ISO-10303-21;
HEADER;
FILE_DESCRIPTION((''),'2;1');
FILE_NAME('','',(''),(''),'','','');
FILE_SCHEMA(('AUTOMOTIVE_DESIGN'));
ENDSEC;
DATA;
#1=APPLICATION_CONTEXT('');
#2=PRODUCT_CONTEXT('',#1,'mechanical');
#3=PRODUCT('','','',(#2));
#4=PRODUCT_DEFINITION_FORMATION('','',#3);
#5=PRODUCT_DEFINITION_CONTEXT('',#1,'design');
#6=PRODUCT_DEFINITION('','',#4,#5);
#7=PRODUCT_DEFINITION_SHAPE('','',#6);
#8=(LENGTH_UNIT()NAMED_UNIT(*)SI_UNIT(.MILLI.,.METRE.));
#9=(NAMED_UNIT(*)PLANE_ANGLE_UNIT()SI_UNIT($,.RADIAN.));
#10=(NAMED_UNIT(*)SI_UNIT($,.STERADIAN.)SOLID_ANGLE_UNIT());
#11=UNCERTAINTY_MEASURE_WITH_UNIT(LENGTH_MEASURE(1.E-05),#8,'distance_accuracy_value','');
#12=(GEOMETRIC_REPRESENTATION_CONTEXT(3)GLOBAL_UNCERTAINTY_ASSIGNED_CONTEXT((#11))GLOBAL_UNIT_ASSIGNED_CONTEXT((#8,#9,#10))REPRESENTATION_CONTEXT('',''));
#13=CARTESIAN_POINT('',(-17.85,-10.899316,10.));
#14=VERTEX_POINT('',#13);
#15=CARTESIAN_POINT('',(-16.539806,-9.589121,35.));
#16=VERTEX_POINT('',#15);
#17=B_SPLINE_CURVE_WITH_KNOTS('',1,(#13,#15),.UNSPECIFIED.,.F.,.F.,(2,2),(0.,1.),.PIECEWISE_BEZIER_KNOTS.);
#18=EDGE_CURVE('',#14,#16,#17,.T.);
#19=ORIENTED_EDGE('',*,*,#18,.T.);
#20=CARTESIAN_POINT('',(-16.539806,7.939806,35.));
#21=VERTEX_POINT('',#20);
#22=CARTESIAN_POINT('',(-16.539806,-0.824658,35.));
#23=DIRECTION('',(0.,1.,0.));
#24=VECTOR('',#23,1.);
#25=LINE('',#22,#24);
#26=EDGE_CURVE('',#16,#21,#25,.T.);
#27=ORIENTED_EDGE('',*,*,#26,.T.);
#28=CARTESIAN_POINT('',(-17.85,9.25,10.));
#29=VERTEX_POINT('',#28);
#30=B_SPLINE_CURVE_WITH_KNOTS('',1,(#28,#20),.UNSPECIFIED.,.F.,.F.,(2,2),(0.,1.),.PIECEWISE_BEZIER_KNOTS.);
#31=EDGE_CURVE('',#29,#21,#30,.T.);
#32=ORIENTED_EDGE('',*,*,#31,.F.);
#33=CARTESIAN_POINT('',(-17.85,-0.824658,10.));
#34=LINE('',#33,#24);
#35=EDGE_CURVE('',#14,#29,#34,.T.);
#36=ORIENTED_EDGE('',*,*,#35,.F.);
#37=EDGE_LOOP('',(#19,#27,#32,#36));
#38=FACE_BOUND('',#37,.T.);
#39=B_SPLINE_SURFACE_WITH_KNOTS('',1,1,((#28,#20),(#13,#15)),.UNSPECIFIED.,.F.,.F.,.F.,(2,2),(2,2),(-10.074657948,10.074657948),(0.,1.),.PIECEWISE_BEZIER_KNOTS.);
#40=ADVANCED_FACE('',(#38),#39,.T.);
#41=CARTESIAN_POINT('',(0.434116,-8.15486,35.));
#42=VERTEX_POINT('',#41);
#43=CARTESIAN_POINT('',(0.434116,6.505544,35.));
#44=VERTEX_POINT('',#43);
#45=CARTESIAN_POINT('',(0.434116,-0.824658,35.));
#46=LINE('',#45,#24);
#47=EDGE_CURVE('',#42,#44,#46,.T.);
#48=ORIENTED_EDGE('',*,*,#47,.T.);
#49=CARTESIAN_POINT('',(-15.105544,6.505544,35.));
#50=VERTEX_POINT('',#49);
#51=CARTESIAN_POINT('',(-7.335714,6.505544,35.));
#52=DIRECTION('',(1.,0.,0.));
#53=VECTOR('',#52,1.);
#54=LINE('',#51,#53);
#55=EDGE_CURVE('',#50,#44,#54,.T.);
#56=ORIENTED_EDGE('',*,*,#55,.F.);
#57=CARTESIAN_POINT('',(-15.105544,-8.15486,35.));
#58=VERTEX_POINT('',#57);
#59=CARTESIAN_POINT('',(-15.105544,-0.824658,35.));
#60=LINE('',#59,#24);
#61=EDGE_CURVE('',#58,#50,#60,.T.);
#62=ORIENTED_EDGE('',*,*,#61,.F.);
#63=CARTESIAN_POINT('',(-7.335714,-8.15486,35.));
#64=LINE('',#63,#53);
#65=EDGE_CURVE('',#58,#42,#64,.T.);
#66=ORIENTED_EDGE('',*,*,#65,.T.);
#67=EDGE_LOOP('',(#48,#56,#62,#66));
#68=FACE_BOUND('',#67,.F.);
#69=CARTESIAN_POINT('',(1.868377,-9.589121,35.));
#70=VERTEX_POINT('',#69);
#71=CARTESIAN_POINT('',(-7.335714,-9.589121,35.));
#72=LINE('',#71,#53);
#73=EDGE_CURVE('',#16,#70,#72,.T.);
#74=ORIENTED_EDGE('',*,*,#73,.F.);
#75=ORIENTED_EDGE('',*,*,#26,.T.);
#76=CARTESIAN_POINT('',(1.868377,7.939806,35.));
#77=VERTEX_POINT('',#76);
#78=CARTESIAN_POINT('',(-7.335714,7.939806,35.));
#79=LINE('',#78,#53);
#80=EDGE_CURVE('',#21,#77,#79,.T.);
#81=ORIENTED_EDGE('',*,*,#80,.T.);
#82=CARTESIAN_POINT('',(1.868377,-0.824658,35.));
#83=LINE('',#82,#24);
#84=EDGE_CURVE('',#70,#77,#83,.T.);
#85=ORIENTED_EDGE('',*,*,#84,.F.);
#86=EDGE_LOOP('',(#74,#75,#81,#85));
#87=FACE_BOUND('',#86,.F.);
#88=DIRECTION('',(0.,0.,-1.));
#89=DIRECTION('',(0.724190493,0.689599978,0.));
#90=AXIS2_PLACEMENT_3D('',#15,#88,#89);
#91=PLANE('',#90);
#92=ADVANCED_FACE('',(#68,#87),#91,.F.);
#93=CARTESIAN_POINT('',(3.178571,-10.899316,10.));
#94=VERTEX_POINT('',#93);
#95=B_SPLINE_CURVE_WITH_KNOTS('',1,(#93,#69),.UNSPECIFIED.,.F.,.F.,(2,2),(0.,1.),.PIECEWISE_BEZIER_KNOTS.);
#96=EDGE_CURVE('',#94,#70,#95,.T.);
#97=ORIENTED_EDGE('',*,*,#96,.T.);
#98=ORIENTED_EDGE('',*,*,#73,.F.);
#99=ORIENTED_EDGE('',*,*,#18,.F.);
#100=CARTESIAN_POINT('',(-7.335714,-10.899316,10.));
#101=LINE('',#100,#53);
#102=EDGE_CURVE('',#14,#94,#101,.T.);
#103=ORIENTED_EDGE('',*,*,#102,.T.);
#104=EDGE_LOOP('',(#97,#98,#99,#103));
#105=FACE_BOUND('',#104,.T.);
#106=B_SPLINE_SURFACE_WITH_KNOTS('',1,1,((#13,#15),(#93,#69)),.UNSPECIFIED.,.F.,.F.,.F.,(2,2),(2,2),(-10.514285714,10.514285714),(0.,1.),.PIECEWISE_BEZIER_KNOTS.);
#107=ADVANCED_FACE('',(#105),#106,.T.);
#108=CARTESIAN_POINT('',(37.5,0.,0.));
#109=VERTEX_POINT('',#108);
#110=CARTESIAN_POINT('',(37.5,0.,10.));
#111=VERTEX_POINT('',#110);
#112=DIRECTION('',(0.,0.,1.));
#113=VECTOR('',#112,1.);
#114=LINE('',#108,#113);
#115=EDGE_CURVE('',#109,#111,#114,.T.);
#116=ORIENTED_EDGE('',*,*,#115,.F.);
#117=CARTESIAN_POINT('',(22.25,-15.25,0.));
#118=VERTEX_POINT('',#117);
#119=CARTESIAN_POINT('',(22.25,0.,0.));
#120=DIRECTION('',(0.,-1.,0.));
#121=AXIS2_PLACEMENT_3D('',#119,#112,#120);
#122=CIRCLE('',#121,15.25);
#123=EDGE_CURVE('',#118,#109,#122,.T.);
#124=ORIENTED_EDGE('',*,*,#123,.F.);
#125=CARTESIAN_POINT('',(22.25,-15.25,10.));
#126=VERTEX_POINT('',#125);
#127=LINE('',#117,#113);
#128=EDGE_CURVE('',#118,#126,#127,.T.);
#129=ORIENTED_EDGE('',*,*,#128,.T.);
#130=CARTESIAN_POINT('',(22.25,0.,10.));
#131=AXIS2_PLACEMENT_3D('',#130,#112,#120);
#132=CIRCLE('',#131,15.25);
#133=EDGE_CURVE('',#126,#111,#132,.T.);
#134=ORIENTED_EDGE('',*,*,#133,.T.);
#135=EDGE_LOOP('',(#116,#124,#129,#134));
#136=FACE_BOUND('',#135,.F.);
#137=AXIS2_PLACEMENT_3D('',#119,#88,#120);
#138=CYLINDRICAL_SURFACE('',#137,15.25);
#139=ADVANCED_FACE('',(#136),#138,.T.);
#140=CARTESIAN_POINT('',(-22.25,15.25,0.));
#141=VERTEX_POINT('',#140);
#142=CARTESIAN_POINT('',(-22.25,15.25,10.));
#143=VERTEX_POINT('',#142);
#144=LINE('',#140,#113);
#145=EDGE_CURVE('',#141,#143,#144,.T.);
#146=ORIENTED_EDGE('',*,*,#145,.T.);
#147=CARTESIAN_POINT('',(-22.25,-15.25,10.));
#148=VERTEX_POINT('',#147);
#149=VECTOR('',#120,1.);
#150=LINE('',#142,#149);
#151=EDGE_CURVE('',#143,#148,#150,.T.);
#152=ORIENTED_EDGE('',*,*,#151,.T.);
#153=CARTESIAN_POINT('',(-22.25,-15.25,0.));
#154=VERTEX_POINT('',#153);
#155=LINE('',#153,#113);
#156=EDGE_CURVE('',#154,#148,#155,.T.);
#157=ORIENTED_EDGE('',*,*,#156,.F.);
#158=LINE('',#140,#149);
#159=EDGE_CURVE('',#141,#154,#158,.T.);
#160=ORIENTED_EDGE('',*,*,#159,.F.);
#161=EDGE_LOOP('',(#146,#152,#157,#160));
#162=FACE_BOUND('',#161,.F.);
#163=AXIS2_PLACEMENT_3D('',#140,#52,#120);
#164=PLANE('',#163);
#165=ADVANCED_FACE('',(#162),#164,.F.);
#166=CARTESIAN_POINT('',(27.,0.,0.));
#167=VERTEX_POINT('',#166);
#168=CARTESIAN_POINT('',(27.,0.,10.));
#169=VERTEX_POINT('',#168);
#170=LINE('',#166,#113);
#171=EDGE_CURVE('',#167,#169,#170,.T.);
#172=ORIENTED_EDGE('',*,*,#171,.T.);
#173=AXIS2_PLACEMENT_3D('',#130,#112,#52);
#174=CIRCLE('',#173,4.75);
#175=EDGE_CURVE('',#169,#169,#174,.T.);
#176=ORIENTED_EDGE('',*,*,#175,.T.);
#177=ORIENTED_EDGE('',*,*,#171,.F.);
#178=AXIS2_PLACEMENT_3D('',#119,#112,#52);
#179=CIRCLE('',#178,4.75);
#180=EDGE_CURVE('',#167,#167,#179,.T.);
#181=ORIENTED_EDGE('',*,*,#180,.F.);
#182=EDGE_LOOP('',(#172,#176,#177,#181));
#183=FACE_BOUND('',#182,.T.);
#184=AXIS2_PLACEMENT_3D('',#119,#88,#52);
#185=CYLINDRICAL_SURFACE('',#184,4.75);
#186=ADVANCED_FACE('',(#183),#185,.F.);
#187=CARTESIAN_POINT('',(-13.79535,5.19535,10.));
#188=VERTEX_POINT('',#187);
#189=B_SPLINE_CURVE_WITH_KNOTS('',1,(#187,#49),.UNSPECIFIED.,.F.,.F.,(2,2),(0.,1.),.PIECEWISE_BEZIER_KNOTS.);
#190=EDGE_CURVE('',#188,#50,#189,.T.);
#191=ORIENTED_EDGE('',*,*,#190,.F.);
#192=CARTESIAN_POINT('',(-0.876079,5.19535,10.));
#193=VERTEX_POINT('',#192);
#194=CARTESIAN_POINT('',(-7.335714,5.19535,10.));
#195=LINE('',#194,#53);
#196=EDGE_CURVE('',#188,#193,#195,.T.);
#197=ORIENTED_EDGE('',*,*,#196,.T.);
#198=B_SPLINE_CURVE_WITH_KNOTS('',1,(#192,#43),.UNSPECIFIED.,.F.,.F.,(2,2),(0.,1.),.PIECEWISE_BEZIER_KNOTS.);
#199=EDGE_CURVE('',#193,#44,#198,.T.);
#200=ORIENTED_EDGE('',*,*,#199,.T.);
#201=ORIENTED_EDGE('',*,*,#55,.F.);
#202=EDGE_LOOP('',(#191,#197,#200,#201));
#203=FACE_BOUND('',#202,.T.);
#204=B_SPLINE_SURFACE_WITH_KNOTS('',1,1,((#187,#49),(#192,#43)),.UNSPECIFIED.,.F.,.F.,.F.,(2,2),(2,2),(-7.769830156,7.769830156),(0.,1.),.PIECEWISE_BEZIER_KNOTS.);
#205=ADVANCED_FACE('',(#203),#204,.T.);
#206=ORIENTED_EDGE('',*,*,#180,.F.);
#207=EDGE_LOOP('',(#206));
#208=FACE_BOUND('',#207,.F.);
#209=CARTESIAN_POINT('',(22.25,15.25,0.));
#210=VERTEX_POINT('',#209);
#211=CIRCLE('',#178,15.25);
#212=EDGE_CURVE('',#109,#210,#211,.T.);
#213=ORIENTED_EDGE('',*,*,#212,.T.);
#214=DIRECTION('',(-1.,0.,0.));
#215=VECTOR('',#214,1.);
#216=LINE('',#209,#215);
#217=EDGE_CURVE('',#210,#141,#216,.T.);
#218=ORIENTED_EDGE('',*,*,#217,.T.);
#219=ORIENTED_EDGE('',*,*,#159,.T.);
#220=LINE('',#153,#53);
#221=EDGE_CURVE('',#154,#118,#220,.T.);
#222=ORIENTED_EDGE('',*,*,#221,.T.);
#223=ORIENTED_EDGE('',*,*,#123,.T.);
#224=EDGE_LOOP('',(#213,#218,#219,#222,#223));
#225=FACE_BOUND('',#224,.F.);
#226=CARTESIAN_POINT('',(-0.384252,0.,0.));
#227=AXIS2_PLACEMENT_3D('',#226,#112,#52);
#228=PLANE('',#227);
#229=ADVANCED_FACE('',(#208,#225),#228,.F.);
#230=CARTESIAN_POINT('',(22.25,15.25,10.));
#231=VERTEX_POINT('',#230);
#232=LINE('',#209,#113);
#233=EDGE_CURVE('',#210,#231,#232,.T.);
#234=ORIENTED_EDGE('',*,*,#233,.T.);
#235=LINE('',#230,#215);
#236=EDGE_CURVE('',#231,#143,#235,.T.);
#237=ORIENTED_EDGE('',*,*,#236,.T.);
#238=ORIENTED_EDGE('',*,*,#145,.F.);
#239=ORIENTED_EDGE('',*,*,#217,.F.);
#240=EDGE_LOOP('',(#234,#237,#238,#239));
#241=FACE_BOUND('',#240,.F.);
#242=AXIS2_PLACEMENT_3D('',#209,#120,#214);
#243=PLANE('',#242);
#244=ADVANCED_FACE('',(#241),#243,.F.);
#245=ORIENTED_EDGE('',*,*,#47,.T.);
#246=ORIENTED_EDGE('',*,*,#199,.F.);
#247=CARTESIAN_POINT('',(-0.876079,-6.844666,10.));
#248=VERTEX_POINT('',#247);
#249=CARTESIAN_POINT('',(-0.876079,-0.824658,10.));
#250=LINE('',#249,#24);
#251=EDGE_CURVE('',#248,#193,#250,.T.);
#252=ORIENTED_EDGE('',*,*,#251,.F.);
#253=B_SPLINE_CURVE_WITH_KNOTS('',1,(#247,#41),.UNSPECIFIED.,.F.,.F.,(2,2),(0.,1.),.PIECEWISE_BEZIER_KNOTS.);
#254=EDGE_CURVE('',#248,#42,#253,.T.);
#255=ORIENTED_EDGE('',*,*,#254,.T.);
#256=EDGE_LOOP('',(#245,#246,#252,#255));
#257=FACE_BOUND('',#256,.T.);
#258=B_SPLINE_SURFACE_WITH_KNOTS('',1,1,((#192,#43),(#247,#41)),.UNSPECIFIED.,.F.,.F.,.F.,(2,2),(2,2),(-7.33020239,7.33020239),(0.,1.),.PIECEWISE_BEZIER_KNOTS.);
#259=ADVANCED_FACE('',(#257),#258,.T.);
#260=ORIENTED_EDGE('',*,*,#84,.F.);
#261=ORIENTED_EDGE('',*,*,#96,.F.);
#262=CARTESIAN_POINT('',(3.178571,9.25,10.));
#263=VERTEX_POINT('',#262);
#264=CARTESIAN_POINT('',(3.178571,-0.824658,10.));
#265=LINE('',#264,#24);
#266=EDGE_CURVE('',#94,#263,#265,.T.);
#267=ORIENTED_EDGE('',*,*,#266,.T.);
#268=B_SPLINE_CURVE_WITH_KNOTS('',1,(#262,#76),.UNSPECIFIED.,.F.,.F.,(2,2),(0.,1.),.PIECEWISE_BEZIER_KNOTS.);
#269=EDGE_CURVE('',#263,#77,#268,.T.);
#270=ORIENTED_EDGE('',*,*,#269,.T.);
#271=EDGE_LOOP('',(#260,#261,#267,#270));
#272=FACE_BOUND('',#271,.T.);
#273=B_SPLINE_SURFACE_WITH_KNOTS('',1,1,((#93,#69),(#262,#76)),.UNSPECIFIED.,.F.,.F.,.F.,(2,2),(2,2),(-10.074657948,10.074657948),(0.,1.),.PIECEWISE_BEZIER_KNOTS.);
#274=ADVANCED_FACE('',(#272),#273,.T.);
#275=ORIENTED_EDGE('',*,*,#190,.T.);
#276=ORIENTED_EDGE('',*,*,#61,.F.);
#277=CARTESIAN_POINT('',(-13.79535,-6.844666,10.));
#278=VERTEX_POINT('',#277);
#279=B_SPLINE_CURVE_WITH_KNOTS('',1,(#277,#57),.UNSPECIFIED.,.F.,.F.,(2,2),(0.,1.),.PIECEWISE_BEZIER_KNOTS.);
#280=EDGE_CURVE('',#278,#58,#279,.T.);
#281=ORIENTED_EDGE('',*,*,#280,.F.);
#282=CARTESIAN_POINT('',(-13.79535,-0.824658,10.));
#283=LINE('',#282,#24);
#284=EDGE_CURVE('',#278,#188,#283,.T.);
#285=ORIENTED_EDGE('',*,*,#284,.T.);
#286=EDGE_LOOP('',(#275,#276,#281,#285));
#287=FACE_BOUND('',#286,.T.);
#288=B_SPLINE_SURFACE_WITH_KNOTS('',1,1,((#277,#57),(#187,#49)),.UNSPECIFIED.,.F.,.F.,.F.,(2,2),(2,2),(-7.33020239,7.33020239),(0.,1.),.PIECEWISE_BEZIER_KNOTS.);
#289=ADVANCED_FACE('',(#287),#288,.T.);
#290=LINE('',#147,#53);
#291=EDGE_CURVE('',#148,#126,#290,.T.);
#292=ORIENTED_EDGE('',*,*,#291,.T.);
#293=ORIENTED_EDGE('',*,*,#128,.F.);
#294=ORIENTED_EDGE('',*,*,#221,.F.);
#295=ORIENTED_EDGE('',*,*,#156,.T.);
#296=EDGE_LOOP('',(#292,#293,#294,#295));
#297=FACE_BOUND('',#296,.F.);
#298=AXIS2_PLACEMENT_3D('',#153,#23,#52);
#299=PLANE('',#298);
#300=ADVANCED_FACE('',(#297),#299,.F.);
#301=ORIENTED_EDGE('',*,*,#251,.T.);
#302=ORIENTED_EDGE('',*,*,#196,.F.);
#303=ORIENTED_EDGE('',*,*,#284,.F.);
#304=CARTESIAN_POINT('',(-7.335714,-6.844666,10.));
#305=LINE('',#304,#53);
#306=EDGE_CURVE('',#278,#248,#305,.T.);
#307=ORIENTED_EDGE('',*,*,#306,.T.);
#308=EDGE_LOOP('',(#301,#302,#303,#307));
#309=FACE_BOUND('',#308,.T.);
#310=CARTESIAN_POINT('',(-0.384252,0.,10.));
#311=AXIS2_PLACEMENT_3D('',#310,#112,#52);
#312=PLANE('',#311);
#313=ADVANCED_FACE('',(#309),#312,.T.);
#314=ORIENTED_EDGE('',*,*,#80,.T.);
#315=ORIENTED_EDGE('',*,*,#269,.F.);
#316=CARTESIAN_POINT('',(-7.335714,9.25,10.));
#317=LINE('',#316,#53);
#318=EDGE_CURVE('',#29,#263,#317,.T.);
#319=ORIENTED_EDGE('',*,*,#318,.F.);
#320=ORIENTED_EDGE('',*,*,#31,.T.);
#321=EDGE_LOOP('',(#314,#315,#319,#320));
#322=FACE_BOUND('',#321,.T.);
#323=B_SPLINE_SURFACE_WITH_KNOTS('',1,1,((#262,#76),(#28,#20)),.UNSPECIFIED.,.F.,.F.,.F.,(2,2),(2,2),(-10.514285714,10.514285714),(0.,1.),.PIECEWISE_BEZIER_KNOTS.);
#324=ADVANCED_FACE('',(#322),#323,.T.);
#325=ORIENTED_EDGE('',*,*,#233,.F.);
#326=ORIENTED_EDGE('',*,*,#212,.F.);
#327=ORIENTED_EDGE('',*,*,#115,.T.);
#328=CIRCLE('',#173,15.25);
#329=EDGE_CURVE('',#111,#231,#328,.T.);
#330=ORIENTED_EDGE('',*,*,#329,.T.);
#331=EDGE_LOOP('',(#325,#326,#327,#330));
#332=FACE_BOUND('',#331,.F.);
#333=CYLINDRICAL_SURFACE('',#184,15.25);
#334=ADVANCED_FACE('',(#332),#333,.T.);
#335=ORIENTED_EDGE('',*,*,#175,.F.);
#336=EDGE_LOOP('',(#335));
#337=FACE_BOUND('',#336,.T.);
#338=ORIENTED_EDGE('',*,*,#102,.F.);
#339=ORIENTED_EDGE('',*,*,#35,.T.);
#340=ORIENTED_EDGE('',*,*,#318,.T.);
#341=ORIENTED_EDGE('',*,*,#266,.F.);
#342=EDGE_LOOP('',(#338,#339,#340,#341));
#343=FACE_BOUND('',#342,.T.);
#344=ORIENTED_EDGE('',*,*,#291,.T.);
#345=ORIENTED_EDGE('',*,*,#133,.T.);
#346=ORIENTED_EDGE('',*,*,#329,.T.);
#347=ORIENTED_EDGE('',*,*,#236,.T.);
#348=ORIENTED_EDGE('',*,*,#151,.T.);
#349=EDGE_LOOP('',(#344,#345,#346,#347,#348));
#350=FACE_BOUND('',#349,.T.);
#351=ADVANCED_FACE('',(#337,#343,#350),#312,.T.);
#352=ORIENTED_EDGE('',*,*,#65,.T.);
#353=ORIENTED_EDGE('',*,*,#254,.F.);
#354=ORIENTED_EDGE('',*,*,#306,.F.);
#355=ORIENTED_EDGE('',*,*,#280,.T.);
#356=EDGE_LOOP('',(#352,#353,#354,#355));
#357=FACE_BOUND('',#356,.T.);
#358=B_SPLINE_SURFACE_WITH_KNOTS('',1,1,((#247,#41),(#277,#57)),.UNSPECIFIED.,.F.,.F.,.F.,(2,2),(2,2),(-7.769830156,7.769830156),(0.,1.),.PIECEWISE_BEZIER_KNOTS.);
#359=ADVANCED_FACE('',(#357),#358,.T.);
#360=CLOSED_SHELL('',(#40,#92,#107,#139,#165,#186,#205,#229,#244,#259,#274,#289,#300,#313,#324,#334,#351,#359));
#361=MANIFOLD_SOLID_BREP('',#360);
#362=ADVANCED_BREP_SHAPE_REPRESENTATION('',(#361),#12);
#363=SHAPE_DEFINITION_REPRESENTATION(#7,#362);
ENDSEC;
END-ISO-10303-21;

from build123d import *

# Parameters (mm, degrees)
F0_R     = 4.75
F1_DEPTH = 10
F2_W     = 21.0285714286
F2_H     = 20.1493158954
F2_W_2   = 12.9192713482
F2_H_2   = 12.040015815
F3_DEPTH = 25
F3_TAPER = 3


with BuildPart() as f1:
    # F0 (on Top) → F1 (new body)
    with BuildSketch(Plane.XY):
        with BuildLine():
            Line((22.25, 15.25), (-22.25, 15.25))
            Line((-22.25, 15.25), (-22.25, -15.25))
            Line((-22.25, -15.25), (22.25, -15.25))
            ThreePointArc((22.25, -15.25), (7, 0), (22.25, 15.25))
        make_face()
        with BuildLine():
            ThreePointArc((37.5, 0), (33.0333784131, 10.7833784131), (22.25, 15.25))
            ThreePointArc((22.25, 15.25), (7, 0), (22.25, -15.25))
            ThreePointArc((22.25, -15.25), (33.0333784131, -10.7833784131), (37.5, 0))
        make_face()
        with Locations((22.25, 0)):
            Circle(F0_R, mode=Mode.SUBTRACT)
    extrude(amount=F1_DEPTH)

    # F2 (on face) → F3 (join)
    with BuildSketch(Plane.XY.offset(10)):
        with Locations((-7.3357142857, -0.8246579477)):
            Rectangle(F2_W, F2_H)
        with Locations((-7.3357142857, -0.8246579477)):
            Rectangle(F2_W_2, F2_H_2, mode=Mode.SUBTRACT)
    extrude(amount=F3_DEPTH, taper=F3_TAPER)


solid = f1.part
